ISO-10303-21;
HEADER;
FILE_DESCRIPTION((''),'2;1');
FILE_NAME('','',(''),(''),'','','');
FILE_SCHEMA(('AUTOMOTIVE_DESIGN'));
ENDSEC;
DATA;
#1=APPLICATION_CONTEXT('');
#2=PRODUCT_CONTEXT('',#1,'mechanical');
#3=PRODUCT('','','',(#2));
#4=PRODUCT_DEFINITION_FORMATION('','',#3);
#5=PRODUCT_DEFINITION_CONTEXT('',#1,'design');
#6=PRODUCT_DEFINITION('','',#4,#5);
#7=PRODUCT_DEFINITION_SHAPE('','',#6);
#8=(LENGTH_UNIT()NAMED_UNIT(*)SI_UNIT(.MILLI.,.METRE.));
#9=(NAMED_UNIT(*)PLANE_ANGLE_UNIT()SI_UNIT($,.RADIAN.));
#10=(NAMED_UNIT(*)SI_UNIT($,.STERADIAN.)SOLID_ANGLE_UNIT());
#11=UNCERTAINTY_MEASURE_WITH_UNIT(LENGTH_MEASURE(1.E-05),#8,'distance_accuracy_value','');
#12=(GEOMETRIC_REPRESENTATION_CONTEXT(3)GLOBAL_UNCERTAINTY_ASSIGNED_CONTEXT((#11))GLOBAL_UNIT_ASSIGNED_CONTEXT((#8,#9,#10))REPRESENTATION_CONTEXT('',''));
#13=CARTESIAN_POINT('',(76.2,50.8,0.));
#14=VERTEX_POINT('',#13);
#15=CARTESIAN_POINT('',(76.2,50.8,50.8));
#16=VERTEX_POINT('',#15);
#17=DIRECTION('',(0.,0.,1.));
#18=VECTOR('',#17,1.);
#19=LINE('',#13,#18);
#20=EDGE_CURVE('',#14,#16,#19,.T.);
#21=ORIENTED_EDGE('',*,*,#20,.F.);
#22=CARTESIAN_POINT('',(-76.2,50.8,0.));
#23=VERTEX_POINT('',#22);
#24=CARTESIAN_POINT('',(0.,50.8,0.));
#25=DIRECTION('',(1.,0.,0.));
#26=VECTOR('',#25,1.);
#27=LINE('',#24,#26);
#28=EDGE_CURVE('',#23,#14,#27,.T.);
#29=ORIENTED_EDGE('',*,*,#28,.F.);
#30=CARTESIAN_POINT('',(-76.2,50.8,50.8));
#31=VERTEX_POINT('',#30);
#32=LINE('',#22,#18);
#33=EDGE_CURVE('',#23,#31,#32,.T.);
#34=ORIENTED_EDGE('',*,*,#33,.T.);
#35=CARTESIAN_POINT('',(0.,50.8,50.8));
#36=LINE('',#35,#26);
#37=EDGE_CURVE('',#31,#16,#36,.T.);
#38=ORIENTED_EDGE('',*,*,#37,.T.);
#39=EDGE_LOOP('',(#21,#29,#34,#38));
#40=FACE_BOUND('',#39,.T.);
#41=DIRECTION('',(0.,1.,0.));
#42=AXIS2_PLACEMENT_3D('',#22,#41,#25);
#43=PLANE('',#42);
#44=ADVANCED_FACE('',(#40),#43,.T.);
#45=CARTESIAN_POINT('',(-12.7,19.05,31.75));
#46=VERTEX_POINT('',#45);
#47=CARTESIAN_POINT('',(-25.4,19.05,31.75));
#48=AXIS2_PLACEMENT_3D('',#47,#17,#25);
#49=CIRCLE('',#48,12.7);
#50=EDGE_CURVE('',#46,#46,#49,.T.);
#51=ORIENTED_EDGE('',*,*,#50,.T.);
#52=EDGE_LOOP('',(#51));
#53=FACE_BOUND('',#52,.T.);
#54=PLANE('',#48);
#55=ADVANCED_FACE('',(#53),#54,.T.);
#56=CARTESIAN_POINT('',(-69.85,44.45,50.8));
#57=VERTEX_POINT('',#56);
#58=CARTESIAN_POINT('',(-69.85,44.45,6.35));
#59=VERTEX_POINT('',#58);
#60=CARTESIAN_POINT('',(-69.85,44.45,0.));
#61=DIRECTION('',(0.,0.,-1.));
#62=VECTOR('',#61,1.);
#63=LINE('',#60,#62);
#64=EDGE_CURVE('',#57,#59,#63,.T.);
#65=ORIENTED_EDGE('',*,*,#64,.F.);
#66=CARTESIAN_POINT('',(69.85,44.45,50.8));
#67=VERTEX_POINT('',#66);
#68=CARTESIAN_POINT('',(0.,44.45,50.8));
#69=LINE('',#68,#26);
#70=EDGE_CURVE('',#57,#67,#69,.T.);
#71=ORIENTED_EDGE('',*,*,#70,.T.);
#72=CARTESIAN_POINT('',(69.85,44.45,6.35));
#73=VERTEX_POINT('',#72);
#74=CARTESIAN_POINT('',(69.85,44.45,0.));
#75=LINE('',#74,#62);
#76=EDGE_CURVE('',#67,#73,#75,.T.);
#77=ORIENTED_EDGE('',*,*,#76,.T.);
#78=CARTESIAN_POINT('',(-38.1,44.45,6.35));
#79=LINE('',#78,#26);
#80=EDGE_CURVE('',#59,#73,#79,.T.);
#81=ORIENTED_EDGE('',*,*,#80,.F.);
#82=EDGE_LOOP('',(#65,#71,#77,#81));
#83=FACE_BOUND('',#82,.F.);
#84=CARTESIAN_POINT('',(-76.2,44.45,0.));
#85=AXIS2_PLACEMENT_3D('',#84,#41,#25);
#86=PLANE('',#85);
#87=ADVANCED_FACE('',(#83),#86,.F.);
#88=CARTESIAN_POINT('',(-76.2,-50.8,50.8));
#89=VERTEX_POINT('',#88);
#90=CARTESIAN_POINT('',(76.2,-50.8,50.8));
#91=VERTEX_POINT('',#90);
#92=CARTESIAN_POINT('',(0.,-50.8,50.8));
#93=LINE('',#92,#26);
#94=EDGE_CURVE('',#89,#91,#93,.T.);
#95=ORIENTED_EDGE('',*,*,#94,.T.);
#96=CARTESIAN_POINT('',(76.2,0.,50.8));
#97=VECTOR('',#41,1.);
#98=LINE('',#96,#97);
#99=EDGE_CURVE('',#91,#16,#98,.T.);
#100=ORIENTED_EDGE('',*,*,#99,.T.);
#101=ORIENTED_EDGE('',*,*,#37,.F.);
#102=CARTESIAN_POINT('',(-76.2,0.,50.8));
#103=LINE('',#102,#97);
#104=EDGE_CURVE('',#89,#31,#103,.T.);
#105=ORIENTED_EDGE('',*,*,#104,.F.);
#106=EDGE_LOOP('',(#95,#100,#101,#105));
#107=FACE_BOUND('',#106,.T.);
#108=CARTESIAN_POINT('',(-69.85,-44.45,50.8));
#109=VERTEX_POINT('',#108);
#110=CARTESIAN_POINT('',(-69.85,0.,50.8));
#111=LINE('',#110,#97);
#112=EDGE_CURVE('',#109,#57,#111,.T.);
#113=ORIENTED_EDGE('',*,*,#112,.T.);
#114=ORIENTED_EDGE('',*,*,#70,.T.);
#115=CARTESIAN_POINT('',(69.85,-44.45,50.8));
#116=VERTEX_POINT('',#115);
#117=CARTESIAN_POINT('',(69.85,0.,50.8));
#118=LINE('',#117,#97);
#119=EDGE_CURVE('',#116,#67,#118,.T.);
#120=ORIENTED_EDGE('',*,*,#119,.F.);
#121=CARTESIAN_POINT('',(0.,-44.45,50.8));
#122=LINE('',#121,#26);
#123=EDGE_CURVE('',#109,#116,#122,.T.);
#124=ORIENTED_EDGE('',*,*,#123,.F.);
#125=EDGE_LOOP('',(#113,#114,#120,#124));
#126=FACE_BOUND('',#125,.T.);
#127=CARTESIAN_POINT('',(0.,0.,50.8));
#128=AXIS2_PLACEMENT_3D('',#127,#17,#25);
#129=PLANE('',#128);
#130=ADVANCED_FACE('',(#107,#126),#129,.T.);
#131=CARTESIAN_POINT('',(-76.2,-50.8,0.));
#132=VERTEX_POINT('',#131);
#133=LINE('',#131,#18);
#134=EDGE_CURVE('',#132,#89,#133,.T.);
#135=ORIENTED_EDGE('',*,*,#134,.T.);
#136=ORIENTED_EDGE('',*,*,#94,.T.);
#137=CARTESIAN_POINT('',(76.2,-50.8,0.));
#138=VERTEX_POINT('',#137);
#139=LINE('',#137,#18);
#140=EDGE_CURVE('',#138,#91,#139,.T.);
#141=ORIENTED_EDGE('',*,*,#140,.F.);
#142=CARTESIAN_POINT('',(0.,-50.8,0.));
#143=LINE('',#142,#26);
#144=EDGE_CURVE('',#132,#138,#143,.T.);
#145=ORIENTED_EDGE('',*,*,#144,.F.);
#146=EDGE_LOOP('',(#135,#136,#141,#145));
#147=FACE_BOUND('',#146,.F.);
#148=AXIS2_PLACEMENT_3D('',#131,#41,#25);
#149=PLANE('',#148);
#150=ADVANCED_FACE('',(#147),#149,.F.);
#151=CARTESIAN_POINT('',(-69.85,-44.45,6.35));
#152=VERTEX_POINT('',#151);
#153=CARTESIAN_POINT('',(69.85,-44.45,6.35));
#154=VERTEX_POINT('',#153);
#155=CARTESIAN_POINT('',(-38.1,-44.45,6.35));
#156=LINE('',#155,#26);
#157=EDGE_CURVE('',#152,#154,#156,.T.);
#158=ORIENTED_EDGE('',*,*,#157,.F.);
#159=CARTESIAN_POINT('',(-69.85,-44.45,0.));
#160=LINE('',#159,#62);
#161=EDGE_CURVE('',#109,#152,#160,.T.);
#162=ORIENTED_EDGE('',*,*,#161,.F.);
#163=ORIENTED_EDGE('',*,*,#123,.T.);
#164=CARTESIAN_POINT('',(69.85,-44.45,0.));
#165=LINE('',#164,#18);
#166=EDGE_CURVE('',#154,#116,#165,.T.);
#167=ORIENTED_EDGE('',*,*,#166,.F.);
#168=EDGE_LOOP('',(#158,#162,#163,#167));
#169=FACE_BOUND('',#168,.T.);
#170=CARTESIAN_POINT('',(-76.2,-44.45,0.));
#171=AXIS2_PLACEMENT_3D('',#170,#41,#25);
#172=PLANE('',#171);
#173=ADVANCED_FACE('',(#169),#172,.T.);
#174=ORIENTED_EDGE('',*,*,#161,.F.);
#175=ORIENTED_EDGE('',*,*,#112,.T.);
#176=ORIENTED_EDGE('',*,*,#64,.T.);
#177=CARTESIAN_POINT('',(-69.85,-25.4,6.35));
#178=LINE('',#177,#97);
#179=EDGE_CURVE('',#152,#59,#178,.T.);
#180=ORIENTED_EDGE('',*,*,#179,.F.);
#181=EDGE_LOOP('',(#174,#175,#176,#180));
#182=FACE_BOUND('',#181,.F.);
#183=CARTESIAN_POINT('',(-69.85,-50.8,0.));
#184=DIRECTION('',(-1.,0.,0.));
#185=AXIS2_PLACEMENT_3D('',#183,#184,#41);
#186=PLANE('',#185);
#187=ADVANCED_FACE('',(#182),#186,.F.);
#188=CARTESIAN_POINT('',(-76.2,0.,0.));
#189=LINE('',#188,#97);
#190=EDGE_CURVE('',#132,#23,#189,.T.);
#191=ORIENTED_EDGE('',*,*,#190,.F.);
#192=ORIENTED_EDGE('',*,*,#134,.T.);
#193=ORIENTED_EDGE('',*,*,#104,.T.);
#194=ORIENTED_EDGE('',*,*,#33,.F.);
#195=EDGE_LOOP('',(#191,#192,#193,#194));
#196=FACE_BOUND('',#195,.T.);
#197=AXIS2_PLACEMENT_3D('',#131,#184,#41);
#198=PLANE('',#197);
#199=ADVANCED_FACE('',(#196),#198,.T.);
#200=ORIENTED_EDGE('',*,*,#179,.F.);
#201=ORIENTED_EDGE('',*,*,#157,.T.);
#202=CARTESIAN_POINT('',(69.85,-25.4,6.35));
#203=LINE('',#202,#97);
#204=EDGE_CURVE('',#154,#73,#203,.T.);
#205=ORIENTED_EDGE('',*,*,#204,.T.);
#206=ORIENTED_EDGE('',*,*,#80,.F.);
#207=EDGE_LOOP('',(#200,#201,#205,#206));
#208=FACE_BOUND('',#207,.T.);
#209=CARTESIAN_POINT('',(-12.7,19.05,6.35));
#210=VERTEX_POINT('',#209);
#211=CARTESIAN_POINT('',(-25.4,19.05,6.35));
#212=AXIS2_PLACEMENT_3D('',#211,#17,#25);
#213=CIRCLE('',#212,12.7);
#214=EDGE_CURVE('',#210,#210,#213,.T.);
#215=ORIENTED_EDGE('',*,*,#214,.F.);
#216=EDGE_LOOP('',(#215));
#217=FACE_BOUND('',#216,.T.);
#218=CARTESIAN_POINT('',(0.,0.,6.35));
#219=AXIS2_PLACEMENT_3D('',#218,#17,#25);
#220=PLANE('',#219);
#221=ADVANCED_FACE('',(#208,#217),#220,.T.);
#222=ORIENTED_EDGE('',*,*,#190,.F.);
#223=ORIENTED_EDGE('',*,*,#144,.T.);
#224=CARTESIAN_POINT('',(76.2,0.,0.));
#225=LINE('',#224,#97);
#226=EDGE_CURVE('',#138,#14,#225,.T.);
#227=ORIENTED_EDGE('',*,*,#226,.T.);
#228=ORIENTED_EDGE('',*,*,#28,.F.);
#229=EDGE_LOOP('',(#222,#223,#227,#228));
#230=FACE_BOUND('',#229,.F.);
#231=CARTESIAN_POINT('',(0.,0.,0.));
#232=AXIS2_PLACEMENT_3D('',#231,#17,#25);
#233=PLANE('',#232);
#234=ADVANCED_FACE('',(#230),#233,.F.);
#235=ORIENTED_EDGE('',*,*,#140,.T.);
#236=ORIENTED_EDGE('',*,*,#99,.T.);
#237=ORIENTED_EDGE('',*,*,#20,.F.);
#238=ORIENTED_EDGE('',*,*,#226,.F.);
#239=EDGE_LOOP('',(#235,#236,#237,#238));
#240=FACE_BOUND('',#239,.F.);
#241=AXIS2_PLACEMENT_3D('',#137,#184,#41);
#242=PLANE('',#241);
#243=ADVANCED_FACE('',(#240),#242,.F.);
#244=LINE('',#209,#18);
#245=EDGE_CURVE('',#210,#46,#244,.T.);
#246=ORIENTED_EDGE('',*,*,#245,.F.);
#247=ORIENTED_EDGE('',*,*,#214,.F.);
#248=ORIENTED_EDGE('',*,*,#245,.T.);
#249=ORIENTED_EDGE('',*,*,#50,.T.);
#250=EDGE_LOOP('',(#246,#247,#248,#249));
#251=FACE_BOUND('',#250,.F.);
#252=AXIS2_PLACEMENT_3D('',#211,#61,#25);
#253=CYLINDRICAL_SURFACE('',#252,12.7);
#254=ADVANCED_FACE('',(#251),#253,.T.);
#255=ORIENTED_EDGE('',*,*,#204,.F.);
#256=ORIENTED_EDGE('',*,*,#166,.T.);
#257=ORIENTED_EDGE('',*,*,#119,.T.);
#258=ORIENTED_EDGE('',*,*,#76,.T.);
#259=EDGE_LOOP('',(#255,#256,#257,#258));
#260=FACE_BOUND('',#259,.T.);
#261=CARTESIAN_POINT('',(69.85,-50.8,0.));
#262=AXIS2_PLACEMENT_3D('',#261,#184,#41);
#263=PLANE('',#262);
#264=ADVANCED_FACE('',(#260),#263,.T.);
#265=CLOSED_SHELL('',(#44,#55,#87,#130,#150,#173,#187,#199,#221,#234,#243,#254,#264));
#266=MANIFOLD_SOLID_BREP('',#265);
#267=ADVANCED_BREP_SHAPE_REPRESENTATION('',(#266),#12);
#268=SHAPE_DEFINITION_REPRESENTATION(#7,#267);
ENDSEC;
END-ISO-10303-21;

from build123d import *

# Parameters (mm, degrees)
F0_W     = 152.4
F0_H     = 101.6
F1_DEPTH = 50.8
F2_T     = -6.35
F3_R     = 12.7
F4_DEPTH = 25.4


with BuildPart() as f1:
    # F0 (on Top) → F1 (new body)
    with BuildSketch(Plane.XY):
        Rectangle(F0_W, F0_H)
    extrude(amount=F1_DEPTH)

    # F2
    f2_openings = [f1.faces().sort_by_distance(p)[0] for p in [
        (0, 0, 50.8),
    ]]
    offset(amount=F2_T, openings=f2_openings)

    # F3 (on face) → F4 (join)
    with BuildSketch(Plane.XY.offset(6.35)):
        with Locations((-25.4, 19.05)):
            Circle(F3_R)
    extrude(amount=F4_DEPTH)


solid = f1.part
